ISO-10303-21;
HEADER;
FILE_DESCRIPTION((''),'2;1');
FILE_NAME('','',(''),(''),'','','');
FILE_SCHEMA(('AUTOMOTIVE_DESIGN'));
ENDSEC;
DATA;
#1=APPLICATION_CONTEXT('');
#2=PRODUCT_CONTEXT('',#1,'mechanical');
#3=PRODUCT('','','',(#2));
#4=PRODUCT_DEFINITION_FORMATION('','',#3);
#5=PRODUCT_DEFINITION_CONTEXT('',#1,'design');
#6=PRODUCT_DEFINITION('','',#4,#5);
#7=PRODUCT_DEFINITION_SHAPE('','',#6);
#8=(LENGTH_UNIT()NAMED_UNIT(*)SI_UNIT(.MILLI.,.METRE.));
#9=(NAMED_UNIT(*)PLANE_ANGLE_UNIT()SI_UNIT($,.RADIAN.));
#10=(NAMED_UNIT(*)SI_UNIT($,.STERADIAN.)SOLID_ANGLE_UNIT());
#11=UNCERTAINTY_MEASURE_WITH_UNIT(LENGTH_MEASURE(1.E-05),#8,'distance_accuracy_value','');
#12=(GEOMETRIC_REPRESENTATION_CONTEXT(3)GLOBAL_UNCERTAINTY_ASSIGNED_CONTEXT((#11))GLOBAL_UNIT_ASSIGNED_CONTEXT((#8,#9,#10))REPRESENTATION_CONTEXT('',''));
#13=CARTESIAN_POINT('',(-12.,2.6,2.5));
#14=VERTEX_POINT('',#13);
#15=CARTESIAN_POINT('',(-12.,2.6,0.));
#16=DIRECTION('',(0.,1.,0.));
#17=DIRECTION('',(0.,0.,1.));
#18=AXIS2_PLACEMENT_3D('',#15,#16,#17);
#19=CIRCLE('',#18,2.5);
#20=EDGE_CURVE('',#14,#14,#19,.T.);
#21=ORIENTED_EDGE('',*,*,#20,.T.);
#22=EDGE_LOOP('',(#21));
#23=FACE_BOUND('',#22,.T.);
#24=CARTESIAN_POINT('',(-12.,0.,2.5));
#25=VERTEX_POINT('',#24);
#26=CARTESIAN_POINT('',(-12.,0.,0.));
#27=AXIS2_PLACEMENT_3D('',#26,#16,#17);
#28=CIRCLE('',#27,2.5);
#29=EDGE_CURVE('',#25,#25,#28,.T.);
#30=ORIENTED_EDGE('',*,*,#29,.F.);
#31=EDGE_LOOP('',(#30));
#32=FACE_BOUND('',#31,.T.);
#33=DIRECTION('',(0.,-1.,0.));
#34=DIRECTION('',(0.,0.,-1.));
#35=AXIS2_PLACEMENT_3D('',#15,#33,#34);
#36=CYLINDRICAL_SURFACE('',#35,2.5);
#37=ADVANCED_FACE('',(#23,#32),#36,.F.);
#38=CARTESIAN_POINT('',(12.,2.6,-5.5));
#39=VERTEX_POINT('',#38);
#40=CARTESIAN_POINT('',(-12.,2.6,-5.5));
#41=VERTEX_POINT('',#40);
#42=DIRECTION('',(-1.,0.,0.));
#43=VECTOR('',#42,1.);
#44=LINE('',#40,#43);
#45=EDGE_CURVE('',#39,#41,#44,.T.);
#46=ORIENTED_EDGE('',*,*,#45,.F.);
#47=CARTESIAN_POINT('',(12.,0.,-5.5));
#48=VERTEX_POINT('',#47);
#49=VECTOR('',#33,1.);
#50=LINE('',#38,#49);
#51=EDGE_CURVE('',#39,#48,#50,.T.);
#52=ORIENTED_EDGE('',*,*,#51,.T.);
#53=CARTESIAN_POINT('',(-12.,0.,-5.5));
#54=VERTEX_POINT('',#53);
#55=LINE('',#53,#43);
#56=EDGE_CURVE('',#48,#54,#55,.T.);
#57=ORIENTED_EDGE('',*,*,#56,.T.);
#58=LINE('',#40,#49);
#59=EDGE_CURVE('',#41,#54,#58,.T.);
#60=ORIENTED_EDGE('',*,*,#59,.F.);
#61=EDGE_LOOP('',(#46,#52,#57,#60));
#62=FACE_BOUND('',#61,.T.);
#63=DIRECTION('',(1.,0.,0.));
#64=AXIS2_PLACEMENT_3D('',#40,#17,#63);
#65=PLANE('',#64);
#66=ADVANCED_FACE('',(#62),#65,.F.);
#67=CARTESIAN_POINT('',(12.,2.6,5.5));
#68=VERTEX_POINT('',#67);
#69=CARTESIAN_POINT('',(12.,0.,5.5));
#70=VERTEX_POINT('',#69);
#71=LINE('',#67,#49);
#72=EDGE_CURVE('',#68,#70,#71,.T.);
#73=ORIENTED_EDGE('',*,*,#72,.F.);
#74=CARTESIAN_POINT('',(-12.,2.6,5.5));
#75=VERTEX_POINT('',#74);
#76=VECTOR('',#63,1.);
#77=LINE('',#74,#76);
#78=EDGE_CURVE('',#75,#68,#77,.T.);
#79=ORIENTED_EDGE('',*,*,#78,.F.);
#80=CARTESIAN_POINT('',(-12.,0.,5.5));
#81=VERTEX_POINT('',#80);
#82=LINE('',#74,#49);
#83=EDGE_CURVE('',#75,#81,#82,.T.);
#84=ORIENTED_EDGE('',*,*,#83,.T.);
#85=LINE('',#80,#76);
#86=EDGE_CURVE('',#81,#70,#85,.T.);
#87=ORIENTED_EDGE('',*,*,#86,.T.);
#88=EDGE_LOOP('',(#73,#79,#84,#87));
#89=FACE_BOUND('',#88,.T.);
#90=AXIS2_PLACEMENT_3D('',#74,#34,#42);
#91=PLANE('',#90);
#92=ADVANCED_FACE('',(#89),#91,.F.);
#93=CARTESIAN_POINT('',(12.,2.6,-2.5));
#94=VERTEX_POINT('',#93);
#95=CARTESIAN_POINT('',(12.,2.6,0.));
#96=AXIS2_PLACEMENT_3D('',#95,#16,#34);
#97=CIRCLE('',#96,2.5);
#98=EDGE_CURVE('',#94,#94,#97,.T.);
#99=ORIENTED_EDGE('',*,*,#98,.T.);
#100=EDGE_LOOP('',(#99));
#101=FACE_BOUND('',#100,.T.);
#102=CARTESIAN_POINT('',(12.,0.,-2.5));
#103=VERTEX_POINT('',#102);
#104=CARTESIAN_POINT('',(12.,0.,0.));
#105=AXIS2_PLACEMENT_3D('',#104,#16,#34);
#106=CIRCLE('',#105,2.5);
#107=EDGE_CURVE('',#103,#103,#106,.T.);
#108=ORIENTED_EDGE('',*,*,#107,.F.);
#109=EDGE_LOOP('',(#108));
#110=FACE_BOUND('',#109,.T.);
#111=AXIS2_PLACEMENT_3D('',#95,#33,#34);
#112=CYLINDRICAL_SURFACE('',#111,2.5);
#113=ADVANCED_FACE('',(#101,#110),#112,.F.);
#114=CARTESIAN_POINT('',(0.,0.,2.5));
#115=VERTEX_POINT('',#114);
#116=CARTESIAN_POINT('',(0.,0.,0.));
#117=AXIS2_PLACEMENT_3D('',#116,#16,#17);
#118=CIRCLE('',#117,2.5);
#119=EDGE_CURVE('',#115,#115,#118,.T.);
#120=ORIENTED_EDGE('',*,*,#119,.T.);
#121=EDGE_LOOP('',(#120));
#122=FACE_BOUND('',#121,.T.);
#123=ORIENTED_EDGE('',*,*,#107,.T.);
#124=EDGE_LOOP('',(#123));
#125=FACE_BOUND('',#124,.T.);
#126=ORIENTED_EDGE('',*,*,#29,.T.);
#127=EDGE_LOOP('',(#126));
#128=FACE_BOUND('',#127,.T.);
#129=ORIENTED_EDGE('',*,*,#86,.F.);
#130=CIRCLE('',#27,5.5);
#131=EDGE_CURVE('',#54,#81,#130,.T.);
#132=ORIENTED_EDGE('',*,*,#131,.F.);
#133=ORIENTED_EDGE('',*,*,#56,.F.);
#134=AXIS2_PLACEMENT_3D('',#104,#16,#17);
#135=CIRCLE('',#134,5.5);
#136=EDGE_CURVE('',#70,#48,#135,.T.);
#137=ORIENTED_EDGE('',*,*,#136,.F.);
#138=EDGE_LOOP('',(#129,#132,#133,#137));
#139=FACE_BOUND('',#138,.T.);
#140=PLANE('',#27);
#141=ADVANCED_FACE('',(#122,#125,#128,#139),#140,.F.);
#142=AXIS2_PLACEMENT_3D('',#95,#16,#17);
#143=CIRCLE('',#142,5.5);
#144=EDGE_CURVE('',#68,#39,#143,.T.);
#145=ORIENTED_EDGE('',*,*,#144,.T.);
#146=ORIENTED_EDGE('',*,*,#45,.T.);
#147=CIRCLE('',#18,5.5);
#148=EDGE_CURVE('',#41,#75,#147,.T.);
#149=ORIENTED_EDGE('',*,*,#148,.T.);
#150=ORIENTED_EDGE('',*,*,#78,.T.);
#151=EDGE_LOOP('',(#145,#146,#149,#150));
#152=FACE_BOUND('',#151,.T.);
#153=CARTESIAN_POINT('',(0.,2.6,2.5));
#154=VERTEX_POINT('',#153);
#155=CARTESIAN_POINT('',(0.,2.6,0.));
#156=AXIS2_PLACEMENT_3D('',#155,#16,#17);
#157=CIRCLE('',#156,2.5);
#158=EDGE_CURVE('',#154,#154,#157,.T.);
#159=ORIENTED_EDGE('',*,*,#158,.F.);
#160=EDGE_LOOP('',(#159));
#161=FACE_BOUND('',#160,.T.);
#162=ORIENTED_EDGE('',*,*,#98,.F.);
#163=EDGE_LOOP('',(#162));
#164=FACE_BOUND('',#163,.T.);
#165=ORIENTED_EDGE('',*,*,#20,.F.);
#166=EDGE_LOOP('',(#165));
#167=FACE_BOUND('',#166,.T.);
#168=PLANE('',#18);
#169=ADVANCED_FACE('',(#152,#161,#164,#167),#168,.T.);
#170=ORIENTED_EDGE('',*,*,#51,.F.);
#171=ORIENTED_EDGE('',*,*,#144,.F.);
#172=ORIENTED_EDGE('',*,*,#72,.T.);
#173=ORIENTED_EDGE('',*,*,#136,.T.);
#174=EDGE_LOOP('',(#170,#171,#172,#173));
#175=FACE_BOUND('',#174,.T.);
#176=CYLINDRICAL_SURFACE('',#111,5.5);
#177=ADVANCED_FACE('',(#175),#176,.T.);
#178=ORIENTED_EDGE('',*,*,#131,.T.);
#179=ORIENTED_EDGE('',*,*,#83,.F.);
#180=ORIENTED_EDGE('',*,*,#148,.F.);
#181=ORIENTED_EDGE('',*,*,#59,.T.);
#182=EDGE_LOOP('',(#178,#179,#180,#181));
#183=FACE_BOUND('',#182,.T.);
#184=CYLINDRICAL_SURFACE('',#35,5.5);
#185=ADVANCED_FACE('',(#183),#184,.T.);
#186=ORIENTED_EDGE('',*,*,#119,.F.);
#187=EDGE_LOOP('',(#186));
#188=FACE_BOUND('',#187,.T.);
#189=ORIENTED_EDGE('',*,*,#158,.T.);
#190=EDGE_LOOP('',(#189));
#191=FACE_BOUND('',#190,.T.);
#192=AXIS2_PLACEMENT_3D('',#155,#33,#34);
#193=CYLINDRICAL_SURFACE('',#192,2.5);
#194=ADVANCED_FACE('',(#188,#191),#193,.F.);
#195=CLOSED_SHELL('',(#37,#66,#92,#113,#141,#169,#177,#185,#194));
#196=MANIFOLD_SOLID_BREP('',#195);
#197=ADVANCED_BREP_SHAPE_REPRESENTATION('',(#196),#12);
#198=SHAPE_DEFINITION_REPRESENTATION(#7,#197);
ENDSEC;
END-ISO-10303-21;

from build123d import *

# Parameters (mm, degrees)
SKETCH_1_R      = 2.5
EXTRUDE_1_DEPTH = 2.6


with BuildPart() as part:
    # 草图1 → 凸台-拉伸1 (new body)
    with BuildSketch(Plane(origin=(0, 0, 0), x_dir=(1, 0, 0), z_dir=(0, 1, 0))):
        with BuildLine():
            Line((-12, 5.5), (12, 5.5))
            ThreePointArc((12, 5.5), (17.5, 0), (12, -5.5))
            Line((12, -5.5), (-12, -5.5))
            ThreePointArc((-12, -5.5), (-17.5, 0), (-12, 5.5))
        make_face()
        with Locations(Location((-12, 0, 0), (0, 0, 270))):
            Circle(SKETCH_1_R, mode=Mode.SUBTRACT)
        with Locations(Location((0, 0, 0), (0, 0, 270))):
            Circle(SKETCH_1_R, mode=Mode.SUBTRACT)
        with Locations(Location((12, 0, 0), (0, 0, 90))):
            Circle(SKETCH_1_R, mode=Mode.SUBTRACT)
    extrude(amount=EXTRUDE_1_DEPTH)


solid = part.part
